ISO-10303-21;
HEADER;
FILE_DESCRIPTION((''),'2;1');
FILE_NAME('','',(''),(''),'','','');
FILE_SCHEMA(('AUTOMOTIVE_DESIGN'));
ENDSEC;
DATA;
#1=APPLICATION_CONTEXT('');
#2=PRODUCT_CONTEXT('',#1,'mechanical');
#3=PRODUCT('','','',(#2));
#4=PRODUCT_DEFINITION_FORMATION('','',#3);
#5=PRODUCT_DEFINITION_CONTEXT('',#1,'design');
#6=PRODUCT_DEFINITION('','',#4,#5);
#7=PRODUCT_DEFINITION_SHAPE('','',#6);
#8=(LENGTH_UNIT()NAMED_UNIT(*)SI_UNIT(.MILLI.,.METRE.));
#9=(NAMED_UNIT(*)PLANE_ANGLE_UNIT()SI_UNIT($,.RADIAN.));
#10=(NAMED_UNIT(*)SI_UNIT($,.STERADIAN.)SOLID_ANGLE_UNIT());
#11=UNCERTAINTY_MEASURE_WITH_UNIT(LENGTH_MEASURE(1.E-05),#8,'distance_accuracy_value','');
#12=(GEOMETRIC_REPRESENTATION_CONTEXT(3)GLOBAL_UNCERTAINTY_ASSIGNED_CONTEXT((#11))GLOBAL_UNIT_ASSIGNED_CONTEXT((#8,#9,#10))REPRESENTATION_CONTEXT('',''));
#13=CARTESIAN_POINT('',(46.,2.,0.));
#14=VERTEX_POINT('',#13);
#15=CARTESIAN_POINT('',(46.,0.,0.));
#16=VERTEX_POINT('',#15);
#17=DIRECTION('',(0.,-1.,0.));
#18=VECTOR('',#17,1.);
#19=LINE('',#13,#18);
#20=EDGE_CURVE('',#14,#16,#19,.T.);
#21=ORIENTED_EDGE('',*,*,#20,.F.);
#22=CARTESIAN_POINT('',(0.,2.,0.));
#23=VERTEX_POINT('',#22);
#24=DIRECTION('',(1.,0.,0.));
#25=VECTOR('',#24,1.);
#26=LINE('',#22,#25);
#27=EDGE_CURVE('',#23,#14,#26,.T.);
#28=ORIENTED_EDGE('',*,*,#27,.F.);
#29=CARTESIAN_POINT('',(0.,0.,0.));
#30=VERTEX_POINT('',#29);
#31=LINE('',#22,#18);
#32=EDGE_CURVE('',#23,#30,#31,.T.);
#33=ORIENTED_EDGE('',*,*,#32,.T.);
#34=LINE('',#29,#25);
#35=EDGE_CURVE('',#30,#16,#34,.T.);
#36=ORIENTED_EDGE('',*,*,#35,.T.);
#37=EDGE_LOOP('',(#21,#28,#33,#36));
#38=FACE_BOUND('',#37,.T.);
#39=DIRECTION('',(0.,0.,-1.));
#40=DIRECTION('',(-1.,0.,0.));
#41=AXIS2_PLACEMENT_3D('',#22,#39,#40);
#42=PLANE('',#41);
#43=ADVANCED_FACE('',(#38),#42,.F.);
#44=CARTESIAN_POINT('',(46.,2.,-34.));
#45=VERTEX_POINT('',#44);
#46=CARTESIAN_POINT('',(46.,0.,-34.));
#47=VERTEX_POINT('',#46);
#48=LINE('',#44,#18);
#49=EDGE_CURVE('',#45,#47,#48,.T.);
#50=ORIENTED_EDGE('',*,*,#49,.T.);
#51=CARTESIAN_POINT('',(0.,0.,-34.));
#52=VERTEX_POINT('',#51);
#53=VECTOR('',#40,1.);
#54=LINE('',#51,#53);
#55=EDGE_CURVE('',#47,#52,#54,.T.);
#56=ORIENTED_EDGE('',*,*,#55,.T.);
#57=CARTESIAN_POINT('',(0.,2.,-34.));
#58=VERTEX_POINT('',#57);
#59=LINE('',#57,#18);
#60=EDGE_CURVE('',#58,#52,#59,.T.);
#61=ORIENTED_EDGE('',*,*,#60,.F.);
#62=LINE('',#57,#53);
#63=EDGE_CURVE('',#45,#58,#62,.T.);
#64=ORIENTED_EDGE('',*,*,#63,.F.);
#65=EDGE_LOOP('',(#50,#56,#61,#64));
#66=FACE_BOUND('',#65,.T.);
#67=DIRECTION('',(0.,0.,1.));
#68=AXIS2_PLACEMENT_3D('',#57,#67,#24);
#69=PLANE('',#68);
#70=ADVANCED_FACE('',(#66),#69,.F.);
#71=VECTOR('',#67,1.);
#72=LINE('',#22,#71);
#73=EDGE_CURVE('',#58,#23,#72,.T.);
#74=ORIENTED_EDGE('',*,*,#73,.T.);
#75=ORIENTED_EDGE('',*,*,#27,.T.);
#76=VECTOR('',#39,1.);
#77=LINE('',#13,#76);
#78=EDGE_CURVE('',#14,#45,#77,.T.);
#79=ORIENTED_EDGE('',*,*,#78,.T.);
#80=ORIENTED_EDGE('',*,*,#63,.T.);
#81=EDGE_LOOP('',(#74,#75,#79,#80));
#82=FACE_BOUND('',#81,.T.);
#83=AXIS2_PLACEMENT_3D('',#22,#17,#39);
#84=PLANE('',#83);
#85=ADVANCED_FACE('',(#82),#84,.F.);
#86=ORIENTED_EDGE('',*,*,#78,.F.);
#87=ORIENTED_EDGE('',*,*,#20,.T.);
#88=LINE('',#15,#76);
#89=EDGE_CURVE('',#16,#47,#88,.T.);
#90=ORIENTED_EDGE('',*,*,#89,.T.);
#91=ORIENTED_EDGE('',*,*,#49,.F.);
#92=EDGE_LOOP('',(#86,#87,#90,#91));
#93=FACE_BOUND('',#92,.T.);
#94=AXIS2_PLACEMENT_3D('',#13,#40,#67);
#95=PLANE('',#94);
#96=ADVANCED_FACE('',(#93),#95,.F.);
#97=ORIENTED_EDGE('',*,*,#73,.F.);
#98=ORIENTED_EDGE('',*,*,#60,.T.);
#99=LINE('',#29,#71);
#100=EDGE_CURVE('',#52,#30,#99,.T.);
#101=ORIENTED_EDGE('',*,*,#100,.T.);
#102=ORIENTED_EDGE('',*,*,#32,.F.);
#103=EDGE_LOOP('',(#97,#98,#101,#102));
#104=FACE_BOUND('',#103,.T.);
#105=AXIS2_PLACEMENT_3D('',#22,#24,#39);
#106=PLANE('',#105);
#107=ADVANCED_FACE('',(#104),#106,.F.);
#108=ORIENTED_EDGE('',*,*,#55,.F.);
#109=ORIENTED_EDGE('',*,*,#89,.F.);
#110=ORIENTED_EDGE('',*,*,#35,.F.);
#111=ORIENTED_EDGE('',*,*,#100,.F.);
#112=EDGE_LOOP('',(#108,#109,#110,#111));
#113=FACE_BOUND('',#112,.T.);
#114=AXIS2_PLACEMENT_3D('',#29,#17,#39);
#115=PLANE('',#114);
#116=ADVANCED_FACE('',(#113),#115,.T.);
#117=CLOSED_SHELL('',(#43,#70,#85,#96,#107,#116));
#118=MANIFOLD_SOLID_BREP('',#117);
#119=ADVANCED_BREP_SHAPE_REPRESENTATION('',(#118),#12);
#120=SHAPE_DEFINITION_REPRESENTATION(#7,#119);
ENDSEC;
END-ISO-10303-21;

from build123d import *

# Parameters (mm, degrees)
ESQUISSE1_W        = 46
ESQUISSE1_H        = 34
BOSS_EXTRU_1_DEPTH = 2


with BuildPart() as part:
    # Esquisse1 → Boss.-Extru.1 (new body)
    with BuildSketch(Plane(origin=(0, 0, 0), x_dir=(1, 0, 0), z_dir=(0, 1, 0))):
        with Locations((23, 17)):
            Rectangle(ESQUISSE1_W, ESQUISSE1_H)
    extrude(amount=BOSS_EXTRU_1_DEPTH)


solid = part.part
